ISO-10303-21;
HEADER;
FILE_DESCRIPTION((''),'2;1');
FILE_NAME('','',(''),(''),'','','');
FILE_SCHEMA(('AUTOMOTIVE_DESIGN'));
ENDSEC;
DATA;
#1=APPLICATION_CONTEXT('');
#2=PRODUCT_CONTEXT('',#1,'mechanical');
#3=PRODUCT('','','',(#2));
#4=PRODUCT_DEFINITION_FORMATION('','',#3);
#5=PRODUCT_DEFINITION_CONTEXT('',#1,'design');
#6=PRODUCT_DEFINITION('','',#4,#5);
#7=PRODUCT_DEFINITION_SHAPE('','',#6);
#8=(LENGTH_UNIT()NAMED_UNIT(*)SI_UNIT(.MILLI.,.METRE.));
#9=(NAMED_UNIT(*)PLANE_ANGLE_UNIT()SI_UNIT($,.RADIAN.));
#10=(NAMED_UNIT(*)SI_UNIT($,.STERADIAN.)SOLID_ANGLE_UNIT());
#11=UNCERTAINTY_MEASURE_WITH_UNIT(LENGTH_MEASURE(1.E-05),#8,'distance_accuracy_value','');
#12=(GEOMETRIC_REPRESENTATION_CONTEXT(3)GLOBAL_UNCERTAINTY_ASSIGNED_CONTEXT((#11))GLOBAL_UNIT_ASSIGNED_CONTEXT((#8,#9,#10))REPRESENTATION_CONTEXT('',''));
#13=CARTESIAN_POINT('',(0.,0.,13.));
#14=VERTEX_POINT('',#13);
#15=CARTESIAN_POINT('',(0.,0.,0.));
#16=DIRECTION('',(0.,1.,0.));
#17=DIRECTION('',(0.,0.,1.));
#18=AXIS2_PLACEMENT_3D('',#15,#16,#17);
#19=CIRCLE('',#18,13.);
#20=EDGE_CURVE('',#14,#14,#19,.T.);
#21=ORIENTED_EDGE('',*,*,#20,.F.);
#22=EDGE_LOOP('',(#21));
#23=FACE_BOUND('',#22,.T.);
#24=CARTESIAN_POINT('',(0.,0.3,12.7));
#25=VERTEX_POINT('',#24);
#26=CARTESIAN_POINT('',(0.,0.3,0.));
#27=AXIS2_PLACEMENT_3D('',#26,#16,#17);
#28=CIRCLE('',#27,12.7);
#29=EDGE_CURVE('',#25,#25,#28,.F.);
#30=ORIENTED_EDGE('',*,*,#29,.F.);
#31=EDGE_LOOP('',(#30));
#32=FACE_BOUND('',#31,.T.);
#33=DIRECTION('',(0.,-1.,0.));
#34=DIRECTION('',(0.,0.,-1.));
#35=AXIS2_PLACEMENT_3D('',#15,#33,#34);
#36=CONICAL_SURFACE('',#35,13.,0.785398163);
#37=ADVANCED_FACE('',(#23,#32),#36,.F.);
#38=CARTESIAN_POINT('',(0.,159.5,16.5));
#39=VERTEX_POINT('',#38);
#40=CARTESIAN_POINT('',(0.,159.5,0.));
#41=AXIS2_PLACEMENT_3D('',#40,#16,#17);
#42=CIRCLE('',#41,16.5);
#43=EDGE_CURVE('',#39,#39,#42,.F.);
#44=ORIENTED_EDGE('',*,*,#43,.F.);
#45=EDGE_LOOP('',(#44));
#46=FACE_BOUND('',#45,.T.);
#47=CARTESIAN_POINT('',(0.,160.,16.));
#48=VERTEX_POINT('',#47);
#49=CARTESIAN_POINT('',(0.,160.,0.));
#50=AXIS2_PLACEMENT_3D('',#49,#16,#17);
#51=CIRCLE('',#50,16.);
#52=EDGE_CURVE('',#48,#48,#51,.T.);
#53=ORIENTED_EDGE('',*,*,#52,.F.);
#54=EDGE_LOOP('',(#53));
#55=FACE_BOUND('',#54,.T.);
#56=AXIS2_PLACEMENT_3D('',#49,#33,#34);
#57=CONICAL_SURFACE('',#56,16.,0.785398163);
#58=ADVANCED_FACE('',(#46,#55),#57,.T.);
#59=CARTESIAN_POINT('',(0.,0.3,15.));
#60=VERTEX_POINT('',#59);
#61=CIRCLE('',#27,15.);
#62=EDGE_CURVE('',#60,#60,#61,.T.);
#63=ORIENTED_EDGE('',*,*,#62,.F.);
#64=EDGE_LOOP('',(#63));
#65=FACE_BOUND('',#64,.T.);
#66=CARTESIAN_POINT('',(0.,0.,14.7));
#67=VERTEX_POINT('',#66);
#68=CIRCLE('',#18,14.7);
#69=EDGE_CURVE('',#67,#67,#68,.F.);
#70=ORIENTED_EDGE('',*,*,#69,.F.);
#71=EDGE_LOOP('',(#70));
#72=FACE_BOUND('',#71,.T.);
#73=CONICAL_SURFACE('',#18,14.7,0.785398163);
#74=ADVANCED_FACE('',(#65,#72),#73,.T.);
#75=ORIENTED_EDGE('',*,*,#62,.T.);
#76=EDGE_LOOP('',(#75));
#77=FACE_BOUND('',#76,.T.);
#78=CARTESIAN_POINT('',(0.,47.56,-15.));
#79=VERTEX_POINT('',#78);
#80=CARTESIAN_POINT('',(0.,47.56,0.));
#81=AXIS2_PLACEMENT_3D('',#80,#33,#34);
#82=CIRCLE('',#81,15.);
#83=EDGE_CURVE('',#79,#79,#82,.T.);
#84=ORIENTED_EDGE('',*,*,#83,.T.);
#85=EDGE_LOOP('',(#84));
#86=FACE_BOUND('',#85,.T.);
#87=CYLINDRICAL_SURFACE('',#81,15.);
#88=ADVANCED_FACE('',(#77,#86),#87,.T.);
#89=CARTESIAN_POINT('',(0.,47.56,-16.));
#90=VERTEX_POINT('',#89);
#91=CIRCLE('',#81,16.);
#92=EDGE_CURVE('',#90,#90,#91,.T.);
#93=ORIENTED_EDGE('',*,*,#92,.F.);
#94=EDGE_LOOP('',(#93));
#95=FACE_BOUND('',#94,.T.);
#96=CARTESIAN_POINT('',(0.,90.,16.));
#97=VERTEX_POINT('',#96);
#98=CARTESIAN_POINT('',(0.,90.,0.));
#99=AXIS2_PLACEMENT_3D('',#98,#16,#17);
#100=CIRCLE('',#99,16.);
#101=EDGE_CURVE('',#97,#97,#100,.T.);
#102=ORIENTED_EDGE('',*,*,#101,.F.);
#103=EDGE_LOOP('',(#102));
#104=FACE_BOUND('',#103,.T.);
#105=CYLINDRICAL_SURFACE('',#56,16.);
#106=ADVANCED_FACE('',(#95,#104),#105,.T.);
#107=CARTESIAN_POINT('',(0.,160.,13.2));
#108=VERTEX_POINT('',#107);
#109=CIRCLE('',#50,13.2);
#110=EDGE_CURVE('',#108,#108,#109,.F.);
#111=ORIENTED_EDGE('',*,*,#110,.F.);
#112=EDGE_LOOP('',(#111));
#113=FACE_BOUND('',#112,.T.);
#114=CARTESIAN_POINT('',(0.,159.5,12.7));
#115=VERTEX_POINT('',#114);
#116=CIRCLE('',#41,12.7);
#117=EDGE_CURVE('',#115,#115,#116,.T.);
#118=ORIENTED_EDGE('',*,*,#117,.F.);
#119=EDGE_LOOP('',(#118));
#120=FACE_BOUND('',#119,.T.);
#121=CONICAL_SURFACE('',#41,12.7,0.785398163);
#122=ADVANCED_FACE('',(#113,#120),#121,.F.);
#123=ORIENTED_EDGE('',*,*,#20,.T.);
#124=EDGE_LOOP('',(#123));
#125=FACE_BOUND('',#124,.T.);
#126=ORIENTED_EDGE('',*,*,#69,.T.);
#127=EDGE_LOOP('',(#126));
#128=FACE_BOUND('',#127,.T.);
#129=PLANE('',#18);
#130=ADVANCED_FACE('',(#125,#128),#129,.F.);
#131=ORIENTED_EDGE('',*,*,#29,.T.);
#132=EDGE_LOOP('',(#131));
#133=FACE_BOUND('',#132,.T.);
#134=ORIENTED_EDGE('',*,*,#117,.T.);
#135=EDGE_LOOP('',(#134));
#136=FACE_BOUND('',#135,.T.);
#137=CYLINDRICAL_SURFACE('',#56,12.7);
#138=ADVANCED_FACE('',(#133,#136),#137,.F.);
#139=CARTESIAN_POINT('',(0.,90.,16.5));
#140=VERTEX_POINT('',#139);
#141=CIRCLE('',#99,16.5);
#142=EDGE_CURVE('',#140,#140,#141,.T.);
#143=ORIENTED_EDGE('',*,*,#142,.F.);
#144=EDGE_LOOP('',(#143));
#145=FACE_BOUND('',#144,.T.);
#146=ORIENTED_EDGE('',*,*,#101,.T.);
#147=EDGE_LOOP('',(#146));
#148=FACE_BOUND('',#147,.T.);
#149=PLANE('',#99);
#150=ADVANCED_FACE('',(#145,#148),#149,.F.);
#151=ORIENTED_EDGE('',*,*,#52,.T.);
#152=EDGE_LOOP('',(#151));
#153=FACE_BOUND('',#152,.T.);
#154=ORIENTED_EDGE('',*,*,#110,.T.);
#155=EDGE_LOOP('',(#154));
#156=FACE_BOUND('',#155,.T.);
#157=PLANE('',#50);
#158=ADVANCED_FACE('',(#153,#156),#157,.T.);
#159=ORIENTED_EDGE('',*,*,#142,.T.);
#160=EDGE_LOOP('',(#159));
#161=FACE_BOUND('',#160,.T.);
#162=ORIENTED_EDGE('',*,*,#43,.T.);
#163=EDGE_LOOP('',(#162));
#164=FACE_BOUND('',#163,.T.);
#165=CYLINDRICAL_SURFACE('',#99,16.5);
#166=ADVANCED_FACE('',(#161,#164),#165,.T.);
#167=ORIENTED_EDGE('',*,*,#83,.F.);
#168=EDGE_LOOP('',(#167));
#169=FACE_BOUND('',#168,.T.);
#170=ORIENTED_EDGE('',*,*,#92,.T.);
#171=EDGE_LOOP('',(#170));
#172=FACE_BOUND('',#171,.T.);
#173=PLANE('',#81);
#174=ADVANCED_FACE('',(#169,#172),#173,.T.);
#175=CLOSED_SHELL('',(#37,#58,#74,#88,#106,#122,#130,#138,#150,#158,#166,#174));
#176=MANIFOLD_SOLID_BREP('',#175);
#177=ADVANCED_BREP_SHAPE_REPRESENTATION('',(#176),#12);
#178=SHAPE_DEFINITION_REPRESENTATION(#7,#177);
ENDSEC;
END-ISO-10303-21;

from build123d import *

# Parameters (mm, degrees)
SKETCH1_R           = 16
SKETCH1_R_2         = 12.7
BOSS_EXTRUDE1_DEPTH = 160
CHAMFER2_SIZE       = 0.3
SKETCH3_R           = 17.5
SKETCH3_R_2         = 15
CUT_EXTRUDE2_DEPTH  = 47.56
CHAMFER3_SIZE       = 0.3
SKETCH2_R           = 16.5
SKETCH2_R_2         = 12.7
BOSS_EXTRUDE3_DEPTH = 70
CHAMFER4_SIZE       = 0.5


with BuildPart() as part:
    # Sketch1 → Boss-Extrude1 (new body)
    with BuildSketch(Plane(origin=(0, 0, 0), x_dir=(1, 0, 0), z_dir=(0, 1, 0))):
        Circle(SKETCH1_R)
        Circle(SKETCH1_R_2, mode=Mode.SUBTRACT)
    extrude(amount=BOSS_EXTRUDE1_DEPTH)

    # Chamfer2
    chamfer2_edges = [part.edges().sort_by_distance(p)[0] for p in [
        (-12.7, 0, 0),
        (-12.7, 160, 0),
    ]]
    chamfer(chamfer2_edges, length=CHAMFER2_SIZE)

    # Sketch3 → Cut-Extrude2 (cut)
    with BuildSketch(Plane.XZ):
        Circle(SKETCH3_R)
        Circle(SKETCH3_R_2, mode=Mode.SUBTRACT)
    extrude(amount=-CUT_EXTRUDE2_DEPTH, mode=Mode.SUBTRACT)

    # Chamfer3
    chamfer3_edges = [part.edges().sort_by_distance(p)[0] for p in [
        (-15, 0, 0),
    ]]
    chamfer(chamfer3_edges, length=CHAMFER3_SIZE)

    # Sketch2 → Boss-Extrude3 (add)
    with BuildSketch(Plane(origin=(0, 160, 0), x_dir=(1, 0, 0), z_dir=(0, 1, 0))):
        Circle(SKETCH2_R)
        Circle(SKETCH2_R_2, mode=Mode.SUBTRACT)
    extrude(amount=-BOSS_EXTRUDE3_DEPTH)

    # Chamfer4
    chamfer4_edges = [part.edges().sort_by_distance(p)[0] for p in [
        (-16.5, 160, 0),
        (-12.7, 160, 0),
    ]]
    chamfer(chamfer4_edges, length=CHAMFER4_SIZE)


solid = part.part
